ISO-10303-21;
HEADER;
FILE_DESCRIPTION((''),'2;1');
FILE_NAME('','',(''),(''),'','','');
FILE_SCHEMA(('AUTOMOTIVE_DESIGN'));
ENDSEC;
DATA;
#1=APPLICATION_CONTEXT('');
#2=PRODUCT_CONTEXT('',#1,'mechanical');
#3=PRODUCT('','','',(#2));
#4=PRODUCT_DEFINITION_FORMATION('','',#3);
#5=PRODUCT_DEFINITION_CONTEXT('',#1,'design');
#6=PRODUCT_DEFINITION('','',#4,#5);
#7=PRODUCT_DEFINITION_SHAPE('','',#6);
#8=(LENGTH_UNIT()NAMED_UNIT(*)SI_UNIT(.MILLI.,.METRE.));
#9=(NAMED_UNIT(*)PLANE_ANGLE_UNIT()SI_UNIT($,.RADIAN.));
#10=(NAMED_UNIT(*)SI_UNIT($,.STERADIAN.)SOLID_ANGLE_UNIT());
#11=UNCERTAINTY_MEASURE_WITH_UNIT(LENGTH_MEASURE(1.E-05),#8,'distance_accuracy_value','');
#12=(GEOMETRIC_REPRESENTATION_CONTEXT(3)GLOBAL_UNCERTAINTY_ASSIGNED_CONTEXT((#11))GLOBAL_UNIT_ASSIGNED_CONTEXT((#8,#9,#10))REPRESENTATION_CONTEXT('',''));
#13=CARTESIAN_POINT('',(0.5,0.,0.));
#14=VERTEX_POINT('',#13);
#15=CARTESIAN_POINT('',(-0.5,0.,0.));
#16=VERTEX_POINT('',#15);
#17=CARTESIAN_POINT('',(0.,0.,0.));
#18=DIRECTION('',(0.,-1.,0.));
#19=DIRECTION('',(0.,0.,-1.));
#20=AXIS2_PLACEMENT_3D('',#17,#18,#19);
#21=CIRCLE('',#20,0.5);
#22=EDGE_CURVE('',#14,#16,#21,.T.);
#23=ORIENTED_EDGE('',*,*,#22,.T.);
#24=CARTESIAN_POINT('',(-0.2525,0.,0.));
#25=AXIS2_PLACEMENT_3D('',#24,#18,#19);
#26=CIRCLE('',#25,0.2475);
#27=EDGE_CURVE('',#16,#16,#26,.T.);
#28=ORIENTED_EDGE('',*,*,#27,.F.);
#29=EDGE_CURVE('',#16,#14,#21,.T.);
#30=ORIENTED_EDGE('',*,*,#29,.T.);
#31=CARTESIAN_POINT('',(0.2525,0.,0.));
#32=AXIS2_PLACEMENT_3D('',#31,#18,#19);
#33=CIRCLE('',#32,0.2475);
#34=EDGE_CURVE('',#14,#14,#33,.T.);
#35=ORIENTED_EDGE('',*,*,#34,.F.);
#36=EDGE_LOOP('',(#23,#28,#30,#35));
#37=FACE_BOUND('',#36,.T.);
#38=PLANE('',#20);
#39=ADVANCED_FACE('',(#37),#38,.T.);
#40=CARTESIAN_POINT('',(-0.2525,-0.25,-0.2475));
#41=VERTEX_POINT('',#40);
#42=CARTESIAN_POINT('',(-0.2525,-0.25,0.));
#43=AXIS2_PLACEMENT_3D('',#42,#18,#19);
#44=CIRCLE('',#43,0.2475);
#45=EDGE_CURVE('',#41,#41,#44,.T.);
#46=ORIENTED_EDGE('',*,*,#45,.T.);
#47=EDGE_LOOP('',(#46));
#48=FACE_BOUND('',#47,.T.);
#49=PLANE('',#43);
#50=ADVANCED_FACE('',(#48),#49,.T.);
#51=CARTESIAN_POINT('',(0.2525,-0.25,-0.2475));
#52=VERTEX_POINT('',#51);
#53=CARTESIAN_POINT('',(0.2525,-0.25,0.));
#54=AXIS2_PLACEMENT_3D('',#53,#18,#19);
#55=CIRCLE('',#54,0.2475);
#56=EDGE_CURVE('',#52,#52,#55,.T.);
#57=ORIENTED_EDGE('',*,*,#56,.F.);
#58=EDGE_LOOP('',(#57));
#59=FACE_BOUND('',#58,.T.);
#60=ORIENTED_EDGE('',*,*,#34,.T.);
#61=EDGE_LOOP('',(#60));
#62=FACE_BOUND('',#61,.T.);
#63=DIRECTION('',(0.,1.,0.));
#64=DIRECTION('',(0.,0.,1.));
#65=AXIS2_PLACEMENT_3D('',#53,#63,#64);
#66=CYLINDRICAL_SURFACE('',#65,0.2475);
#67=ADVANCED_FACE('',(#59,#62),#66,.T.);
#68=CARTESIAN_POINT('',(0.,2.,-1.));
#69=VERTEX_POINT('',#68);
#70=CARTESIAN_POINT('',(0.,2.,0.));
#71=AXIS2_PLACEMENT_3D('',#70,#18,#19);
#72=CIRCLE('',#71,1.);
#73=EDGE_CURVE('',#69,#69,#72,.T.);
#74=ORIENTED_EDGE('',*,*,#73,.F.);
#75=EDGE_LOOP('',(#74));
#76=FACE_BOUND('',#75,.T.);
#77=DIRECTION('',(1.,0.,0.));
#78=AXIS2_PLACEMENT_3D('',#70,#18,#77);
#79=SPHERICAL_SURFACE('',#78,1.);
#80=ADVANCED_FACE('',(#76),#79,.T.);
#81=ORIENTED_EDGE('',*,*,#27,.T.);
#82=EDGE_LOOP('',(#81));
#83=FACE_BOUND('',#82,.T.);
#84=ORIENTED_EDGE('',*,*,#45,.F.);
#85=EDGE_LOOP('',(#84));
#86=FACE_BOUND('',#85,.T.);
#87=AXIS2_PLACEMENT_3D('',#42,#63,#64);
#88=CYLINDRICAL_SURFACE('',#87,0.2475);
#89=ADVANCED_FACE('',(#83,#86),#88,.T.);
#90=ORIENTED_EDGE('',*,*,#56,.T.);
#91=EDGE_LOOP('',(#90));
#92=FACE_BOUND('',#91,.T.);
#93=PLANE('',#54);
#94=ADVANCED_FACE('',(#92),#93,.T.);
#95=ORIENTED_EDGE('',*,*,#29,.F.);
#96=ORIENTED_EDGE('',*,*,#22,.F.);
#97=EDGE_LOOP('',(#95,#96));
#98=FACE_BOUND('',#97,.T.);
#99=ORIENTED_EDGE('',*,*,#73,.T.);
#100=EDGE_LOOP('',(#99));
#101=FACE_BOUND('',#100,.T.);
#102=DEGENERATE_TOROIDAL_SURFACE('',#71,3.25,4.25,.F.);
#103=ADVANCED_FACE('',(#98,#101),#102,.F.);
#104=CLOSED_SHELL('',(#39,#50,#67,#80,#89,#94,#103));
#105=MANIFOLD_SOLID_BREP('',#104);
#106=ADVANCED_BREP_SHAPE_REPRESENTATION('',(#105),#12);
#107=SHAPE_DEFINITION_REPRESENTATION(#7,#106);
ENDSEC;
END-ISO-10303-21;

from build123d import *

# Parameters (mm, degrees)
SKETCH2_R           = 0.2475
BOSS_EXTRUDE1_DEPTH = 0.25


with BuildPart() as part:
    # Sketch1 → Revolve2 (revolve)
    with BuildSketch(Plane.XY):
        with BuildLine():
            Line((0, 0), (0, 3))
            ThreePointArc((0, 3), (0.707106781, 2.707106781), (1, 2))
            ThreePointArc((1, 2), (0.873105626, 0.969223594), (0.5, 0))
            Line((0.5, 0), (0, 0))
        make_face()
    revolve(axis=Axis((0, 0, 0), (0, 1, 0)))

    # Sketch2 → Boss-Extrude1 (add)
    with BuildSketch(Plane.XZ):
        with Locations((0.2525, 0)):
            Circle(SKETCH2_R)
        with Locations((-0.2525, 0)):
            Circle(SKETCH2_R)
    extrude(amount=BOSS_EXTRUDE1_DEPTH)


solid = part.part
